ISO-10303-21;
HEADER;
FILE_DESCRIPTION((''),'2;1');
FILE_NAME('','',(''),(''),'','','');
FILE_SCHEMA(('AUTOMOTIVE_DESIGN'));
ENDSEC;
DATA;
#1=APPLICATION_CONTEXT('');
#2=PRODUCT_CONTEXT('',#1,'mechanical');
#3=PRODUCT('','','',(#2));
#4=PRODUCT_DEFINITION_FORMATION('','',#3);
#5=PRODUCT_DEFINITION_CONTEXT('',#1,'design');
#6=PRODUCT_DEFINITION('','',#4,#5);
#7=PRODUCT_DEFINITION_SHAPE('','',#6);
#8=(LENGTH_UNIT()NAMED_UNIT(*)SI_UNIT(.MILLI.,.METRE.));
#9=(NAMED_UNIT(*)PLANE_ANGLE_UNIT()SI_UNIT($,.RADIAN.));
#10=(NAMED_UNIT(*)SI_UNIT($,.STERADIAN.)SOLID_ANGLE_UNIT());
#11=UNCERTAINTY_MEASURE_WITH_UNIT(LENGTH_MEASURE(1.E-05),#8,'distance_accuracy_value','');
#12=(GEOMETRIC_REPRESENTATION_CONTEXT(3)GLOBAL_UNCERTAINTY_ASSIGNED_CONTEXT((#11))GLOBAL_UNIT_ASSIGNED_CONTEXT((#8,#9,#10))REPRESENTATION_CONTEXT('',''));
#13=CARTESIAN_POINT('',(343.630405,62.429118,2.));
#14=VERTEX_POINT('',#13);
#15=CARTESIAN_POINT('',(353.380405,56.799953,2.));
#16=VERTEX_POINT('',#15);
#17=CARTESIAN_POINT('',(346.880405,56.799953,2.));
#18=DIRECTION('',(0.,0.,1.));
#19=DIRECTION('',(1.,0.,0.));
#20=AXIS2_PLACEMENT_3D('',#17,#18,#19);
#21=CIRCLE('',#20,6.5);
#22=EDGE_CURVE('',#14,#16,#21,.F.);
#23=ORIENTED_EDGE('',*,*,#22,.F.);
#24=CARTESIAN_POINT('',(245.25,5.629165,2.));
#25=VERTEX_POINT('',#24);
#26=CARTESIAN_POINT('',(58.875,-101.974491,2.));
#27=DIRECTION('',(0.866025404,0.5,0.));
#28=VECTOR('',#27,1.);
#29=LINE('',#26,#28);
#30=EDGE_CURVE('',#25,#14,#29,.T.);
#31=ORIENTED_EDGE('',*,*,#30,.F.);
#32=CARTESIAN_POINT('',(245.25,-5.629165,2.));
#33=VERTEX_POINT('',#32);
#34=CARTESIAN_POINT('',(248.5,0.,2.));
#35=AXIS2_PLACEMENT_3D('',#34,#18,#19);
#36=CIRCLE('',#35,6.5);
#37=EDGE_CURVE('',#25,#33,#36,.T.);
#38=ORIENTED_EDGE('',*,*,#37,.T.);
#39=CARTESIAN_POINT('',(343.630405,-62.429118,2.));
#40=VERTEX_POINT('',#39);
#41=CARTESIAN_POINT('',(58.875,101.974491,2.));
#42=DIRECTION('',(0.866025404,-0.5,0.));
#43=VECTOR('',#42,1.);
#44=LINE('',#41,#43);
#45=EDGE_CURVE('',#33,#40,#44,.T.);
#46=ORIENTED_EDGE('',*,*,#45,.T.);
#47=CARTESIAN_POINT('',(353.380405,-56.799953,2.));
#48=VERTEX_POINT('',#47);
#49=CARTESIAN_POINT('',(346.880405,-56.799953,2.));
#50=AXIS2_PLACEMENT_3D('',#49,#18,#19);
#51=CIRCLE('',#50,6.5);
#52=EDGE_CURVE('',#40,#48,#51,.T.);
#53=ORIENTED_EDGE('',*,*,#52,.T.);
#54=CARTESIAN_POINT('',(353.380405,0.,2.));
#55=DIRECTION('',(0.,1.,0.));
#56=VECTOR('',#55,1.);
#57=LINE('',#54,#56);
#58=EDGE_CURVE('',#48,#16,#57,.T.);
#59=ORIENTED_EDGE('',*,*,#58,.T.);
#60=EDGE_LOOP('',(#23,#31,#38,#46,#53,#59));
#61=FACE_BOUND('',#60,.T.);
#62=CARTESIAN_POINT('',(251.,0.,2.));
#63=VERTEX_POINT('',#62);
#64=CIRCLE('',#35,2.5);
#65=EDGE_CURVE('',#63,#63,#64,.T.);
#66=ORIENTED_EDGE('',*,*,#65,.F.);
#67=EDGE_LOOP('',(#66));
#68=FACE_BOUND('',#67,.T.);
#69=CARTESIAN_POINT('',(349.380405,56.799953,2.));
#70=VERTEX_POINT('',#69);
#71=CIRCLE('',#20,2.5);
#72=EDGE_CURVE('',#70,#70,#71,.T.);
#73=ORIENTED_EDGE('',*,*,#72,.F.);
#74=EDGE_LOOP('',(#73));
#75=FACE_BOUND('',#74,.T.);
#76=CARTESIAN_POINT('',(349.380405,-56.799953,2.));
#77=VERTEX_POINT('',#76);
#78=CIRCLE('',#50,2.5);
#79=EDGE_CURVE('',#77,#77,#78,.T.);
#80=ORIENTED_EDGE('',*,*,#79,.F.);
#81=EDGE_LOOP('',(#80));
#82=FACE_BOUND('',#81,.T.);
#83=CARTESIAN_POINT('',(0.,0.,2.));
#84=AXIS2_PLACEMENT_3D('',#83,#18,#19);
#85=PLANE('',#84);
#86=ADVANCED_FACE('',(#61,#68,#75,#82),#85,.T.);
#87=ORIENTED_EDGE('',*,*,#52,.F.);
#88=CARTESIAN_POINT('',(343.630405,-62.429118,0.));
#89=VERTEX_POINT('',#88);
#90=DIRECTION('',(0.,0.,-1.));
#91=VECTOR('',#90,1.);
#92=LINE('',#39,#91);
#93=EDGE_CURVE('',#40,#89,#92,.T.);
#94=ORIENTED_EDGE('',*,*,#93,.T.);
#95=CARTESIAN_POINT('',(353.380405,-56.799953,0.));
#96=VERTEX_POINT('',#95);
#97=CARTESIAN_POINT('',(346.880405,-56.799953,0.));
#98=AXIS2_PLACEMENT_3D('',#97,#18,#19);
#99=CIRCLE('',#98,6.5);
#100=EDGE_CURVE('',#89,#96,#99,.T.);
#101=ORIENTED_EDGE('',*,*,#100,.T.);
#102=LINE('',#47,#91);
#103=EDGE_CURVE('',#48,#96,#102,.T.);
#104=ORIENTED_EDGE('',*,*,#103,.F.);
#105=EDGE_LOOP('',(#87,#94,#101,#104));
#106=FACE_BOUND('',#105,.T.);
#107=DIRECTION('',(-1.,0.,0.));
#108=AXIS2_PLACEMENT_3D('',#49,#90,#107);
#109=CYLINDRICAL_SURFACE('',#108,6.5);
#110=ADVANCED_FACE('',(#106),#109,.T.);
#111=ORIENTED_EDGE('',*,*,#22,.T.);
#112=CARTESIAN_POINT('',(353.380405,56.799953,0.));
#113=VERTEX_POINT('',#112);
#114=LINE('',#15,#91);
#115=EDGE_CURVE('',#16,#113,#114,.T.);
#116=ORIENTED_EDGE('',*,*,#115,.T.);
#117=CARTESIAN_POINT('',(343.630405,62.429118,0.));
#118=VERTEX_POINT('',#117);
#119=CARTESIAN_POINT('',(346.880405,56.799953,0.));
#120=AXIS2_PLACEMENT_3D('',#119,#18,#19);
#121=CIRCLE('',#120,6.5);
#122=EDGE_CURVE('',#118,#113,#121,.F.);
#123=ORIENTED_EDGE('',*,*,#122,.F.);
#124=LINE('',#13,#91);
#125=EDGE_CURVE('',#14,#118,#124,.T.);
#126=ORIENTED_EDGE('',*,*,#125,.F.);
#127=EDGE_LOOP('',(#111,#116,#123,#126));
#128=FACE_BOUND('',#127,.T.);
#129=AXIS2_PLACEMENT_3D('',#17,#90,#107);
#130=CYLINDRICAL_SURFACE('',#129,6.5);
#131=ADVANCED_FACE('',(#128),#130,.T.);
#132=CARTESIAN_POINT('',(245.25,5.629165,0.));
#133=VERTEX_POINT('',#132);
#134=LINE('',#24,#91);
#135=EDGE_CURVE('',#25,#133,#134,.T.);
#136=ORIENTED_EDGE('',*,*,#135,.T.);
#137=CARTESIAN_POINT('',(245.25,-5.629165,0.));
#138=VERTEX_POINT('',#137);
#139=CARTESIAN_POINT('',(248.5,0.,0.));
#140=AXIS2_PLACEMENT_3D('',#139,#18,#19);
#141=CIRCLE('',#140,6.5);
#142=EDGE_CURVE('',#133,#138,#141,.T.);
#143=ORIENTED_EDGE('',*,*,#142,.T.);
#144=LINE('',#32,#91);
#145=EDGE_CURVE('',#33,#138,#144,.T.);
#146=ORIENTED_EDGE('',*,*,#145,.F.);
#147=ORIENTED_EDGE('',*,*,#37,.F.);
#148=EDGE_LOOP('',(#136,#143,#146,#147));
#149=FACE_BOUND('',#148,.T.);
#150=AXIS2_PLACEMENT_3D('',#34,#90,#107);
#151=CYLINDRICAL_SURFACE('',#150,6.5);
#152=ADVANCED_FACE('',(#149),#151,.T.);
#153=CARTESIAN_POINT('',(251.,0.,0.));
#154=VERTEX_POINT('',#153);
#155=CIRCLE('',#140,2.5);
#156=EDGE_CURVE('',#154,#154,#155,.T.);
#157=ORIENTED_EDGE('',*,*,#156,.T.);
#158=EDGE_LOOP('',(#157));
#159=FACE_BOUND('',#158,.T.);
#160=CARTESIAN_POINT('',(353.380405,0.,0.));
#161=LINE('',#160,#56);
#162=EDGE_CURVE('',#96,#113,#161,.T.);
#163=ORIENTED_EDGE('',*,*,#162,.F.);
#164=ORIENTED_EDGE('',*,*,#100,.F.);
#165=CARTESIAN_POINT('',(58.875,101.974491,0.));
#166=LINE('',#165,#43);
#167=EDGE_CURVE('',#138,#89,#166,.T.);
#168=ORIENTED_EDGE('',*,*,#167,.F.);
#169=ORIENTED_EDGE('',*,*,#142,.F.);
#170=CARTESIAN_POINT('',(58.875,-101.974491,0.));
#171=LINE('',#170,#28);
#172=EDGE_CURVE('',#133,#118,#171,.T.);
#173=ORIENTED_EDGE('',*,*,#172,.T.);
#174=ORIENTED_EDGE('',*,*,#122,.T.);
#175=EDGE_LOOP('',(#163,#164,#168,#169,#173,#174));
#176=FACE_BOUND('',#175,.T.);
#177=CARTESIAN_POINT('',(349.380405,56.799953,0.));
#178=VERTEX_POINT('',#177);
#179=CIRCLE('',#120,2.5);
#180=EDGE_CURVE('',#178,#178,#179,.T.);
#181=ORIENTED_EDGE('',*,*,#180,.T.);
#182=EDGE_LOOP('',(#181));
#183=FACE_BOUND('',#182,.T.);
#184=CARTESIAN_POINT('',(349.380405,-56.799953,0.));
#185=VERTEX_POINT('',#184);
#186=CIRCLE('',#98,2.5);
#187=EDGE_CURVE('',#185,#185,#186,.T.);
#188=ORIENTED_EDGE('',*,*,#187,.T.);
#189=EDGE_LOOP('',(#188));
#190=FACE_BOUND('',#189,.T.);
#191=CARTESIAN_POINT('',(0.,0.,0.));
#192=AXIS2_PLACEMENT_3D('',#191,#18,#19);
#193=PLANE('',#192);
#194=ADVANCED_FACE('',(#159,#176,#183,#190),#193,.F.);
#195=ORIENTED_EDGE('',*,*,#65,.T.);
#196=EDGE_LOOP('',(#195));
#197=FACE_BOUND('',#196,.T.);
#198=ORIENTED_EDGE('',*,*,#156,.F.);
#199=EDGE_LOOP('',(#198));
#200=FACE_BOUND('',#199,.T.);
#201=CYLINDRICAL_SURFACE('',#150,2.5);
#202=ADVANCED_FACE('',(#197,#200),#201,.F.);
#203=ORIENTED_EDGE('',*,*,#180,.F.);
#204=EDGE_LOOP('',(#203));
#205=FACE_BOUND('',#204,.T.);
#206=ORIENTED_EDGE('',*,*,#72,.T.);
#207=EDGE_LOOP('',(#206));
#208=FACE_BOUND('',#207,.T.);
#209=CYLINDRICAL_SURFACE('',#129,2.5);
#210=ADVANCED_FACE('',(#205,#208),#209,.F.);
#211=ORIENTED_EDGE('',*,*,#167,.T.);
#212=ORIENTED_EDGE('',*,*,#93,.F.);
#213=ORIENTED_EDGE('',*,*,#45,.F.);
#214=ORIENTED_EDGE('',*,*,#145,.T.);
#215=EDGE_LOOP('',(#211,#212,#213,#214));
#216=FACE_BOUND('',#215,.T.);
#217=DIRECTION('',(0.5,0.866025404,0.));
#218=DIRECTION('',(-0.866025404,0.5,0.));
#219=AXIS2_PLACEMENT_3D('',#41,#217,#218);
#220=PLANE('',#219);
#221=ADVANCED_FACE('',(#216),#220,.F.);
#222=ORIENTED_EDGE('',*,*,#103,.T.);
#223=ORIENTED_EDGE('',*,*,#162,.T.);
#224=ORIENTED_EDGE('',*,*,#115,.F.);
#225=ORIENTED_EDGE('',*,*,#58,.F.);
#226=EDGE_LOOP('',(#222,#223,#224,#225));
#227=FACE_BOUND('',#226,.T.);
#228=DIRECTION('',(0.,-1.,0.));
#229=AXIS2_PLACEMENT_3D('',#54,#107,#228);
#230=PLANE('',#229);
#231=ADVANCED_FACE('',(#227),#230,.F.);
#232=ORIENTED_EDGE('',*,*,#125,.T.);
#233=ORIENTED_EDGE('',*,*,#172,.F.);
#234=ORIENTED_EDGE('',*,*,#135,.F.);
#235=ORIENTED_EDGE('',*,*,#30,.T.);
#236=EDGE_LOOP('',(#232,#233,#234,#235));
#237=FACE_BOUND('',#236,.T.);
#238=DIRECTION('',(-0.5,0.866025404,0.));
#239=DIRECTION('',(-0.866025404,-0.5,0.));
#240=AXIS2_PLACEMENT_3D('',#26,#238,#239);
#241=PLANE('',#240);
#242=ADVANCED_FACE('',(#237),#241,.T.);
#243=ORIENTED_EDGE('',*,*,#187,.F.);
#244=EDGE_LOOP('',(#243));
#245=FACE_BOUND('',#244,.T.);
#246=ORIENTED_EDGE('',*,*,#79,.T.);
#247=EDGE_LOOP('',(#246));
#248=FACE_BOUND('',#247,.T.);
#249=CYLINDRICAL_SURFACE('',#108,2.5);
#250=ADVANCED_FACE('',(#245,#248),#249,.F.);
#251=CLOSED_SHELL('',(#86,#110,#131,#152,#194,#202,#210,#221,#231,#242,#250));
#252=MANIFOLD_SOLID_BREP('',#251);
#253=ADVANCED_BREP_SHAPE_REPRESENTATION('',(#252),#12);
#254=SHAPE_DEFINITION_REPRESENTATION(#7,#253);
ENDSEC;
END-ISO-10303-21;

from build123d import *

# Parameters (mm, degrees)
SKETCH1_R           = 2.5
BOSS_EXTRUDE2_DEPTH = 2


with BuildPart() as part:
    # Sketch1 → Boss-Extrude2 (new body)
    with BuildSketch(Plane.XY):
        with BuildLine():
            Line((245.25, -5.629165125), (343.630404909, -62.429118382))
            ThreePointArc((343.630404909, -62.429118382), (350.130404909, -62.429118382), (353.380404909, -56.799953257))
            Line((353.380404909, -56.799953257), (353.380404909, 56.799953257))
            ThreePointArc((353.380404909, 56.799953257), (350.130404909, 62.429118382), (343.630404909, 62.429118382))
            Line((343.630404909, 62.429118382), (245.25, 5.629165125))
            ThreePointArc((245.25, 5.629165125), (242, 0), (245.25, -5.629165125))
        make_face()
        with Locations((248.5, 0)):
            Circle(SKETCH1_R, mode=Mode.SUBTRACT)
        with Locations((346.880404909, -56.799953257)):
            Circle(SKETCH1_R, mode=Mode.SUBTRACT)
        with Locations((346.880404909, 56.799953257)):
            Circle(SKETCH1_R, mode=Mode.SUBTRACT)
    extrude(amount=BOSS_EXTRUDE2_DEPTH)


solid = part.part
